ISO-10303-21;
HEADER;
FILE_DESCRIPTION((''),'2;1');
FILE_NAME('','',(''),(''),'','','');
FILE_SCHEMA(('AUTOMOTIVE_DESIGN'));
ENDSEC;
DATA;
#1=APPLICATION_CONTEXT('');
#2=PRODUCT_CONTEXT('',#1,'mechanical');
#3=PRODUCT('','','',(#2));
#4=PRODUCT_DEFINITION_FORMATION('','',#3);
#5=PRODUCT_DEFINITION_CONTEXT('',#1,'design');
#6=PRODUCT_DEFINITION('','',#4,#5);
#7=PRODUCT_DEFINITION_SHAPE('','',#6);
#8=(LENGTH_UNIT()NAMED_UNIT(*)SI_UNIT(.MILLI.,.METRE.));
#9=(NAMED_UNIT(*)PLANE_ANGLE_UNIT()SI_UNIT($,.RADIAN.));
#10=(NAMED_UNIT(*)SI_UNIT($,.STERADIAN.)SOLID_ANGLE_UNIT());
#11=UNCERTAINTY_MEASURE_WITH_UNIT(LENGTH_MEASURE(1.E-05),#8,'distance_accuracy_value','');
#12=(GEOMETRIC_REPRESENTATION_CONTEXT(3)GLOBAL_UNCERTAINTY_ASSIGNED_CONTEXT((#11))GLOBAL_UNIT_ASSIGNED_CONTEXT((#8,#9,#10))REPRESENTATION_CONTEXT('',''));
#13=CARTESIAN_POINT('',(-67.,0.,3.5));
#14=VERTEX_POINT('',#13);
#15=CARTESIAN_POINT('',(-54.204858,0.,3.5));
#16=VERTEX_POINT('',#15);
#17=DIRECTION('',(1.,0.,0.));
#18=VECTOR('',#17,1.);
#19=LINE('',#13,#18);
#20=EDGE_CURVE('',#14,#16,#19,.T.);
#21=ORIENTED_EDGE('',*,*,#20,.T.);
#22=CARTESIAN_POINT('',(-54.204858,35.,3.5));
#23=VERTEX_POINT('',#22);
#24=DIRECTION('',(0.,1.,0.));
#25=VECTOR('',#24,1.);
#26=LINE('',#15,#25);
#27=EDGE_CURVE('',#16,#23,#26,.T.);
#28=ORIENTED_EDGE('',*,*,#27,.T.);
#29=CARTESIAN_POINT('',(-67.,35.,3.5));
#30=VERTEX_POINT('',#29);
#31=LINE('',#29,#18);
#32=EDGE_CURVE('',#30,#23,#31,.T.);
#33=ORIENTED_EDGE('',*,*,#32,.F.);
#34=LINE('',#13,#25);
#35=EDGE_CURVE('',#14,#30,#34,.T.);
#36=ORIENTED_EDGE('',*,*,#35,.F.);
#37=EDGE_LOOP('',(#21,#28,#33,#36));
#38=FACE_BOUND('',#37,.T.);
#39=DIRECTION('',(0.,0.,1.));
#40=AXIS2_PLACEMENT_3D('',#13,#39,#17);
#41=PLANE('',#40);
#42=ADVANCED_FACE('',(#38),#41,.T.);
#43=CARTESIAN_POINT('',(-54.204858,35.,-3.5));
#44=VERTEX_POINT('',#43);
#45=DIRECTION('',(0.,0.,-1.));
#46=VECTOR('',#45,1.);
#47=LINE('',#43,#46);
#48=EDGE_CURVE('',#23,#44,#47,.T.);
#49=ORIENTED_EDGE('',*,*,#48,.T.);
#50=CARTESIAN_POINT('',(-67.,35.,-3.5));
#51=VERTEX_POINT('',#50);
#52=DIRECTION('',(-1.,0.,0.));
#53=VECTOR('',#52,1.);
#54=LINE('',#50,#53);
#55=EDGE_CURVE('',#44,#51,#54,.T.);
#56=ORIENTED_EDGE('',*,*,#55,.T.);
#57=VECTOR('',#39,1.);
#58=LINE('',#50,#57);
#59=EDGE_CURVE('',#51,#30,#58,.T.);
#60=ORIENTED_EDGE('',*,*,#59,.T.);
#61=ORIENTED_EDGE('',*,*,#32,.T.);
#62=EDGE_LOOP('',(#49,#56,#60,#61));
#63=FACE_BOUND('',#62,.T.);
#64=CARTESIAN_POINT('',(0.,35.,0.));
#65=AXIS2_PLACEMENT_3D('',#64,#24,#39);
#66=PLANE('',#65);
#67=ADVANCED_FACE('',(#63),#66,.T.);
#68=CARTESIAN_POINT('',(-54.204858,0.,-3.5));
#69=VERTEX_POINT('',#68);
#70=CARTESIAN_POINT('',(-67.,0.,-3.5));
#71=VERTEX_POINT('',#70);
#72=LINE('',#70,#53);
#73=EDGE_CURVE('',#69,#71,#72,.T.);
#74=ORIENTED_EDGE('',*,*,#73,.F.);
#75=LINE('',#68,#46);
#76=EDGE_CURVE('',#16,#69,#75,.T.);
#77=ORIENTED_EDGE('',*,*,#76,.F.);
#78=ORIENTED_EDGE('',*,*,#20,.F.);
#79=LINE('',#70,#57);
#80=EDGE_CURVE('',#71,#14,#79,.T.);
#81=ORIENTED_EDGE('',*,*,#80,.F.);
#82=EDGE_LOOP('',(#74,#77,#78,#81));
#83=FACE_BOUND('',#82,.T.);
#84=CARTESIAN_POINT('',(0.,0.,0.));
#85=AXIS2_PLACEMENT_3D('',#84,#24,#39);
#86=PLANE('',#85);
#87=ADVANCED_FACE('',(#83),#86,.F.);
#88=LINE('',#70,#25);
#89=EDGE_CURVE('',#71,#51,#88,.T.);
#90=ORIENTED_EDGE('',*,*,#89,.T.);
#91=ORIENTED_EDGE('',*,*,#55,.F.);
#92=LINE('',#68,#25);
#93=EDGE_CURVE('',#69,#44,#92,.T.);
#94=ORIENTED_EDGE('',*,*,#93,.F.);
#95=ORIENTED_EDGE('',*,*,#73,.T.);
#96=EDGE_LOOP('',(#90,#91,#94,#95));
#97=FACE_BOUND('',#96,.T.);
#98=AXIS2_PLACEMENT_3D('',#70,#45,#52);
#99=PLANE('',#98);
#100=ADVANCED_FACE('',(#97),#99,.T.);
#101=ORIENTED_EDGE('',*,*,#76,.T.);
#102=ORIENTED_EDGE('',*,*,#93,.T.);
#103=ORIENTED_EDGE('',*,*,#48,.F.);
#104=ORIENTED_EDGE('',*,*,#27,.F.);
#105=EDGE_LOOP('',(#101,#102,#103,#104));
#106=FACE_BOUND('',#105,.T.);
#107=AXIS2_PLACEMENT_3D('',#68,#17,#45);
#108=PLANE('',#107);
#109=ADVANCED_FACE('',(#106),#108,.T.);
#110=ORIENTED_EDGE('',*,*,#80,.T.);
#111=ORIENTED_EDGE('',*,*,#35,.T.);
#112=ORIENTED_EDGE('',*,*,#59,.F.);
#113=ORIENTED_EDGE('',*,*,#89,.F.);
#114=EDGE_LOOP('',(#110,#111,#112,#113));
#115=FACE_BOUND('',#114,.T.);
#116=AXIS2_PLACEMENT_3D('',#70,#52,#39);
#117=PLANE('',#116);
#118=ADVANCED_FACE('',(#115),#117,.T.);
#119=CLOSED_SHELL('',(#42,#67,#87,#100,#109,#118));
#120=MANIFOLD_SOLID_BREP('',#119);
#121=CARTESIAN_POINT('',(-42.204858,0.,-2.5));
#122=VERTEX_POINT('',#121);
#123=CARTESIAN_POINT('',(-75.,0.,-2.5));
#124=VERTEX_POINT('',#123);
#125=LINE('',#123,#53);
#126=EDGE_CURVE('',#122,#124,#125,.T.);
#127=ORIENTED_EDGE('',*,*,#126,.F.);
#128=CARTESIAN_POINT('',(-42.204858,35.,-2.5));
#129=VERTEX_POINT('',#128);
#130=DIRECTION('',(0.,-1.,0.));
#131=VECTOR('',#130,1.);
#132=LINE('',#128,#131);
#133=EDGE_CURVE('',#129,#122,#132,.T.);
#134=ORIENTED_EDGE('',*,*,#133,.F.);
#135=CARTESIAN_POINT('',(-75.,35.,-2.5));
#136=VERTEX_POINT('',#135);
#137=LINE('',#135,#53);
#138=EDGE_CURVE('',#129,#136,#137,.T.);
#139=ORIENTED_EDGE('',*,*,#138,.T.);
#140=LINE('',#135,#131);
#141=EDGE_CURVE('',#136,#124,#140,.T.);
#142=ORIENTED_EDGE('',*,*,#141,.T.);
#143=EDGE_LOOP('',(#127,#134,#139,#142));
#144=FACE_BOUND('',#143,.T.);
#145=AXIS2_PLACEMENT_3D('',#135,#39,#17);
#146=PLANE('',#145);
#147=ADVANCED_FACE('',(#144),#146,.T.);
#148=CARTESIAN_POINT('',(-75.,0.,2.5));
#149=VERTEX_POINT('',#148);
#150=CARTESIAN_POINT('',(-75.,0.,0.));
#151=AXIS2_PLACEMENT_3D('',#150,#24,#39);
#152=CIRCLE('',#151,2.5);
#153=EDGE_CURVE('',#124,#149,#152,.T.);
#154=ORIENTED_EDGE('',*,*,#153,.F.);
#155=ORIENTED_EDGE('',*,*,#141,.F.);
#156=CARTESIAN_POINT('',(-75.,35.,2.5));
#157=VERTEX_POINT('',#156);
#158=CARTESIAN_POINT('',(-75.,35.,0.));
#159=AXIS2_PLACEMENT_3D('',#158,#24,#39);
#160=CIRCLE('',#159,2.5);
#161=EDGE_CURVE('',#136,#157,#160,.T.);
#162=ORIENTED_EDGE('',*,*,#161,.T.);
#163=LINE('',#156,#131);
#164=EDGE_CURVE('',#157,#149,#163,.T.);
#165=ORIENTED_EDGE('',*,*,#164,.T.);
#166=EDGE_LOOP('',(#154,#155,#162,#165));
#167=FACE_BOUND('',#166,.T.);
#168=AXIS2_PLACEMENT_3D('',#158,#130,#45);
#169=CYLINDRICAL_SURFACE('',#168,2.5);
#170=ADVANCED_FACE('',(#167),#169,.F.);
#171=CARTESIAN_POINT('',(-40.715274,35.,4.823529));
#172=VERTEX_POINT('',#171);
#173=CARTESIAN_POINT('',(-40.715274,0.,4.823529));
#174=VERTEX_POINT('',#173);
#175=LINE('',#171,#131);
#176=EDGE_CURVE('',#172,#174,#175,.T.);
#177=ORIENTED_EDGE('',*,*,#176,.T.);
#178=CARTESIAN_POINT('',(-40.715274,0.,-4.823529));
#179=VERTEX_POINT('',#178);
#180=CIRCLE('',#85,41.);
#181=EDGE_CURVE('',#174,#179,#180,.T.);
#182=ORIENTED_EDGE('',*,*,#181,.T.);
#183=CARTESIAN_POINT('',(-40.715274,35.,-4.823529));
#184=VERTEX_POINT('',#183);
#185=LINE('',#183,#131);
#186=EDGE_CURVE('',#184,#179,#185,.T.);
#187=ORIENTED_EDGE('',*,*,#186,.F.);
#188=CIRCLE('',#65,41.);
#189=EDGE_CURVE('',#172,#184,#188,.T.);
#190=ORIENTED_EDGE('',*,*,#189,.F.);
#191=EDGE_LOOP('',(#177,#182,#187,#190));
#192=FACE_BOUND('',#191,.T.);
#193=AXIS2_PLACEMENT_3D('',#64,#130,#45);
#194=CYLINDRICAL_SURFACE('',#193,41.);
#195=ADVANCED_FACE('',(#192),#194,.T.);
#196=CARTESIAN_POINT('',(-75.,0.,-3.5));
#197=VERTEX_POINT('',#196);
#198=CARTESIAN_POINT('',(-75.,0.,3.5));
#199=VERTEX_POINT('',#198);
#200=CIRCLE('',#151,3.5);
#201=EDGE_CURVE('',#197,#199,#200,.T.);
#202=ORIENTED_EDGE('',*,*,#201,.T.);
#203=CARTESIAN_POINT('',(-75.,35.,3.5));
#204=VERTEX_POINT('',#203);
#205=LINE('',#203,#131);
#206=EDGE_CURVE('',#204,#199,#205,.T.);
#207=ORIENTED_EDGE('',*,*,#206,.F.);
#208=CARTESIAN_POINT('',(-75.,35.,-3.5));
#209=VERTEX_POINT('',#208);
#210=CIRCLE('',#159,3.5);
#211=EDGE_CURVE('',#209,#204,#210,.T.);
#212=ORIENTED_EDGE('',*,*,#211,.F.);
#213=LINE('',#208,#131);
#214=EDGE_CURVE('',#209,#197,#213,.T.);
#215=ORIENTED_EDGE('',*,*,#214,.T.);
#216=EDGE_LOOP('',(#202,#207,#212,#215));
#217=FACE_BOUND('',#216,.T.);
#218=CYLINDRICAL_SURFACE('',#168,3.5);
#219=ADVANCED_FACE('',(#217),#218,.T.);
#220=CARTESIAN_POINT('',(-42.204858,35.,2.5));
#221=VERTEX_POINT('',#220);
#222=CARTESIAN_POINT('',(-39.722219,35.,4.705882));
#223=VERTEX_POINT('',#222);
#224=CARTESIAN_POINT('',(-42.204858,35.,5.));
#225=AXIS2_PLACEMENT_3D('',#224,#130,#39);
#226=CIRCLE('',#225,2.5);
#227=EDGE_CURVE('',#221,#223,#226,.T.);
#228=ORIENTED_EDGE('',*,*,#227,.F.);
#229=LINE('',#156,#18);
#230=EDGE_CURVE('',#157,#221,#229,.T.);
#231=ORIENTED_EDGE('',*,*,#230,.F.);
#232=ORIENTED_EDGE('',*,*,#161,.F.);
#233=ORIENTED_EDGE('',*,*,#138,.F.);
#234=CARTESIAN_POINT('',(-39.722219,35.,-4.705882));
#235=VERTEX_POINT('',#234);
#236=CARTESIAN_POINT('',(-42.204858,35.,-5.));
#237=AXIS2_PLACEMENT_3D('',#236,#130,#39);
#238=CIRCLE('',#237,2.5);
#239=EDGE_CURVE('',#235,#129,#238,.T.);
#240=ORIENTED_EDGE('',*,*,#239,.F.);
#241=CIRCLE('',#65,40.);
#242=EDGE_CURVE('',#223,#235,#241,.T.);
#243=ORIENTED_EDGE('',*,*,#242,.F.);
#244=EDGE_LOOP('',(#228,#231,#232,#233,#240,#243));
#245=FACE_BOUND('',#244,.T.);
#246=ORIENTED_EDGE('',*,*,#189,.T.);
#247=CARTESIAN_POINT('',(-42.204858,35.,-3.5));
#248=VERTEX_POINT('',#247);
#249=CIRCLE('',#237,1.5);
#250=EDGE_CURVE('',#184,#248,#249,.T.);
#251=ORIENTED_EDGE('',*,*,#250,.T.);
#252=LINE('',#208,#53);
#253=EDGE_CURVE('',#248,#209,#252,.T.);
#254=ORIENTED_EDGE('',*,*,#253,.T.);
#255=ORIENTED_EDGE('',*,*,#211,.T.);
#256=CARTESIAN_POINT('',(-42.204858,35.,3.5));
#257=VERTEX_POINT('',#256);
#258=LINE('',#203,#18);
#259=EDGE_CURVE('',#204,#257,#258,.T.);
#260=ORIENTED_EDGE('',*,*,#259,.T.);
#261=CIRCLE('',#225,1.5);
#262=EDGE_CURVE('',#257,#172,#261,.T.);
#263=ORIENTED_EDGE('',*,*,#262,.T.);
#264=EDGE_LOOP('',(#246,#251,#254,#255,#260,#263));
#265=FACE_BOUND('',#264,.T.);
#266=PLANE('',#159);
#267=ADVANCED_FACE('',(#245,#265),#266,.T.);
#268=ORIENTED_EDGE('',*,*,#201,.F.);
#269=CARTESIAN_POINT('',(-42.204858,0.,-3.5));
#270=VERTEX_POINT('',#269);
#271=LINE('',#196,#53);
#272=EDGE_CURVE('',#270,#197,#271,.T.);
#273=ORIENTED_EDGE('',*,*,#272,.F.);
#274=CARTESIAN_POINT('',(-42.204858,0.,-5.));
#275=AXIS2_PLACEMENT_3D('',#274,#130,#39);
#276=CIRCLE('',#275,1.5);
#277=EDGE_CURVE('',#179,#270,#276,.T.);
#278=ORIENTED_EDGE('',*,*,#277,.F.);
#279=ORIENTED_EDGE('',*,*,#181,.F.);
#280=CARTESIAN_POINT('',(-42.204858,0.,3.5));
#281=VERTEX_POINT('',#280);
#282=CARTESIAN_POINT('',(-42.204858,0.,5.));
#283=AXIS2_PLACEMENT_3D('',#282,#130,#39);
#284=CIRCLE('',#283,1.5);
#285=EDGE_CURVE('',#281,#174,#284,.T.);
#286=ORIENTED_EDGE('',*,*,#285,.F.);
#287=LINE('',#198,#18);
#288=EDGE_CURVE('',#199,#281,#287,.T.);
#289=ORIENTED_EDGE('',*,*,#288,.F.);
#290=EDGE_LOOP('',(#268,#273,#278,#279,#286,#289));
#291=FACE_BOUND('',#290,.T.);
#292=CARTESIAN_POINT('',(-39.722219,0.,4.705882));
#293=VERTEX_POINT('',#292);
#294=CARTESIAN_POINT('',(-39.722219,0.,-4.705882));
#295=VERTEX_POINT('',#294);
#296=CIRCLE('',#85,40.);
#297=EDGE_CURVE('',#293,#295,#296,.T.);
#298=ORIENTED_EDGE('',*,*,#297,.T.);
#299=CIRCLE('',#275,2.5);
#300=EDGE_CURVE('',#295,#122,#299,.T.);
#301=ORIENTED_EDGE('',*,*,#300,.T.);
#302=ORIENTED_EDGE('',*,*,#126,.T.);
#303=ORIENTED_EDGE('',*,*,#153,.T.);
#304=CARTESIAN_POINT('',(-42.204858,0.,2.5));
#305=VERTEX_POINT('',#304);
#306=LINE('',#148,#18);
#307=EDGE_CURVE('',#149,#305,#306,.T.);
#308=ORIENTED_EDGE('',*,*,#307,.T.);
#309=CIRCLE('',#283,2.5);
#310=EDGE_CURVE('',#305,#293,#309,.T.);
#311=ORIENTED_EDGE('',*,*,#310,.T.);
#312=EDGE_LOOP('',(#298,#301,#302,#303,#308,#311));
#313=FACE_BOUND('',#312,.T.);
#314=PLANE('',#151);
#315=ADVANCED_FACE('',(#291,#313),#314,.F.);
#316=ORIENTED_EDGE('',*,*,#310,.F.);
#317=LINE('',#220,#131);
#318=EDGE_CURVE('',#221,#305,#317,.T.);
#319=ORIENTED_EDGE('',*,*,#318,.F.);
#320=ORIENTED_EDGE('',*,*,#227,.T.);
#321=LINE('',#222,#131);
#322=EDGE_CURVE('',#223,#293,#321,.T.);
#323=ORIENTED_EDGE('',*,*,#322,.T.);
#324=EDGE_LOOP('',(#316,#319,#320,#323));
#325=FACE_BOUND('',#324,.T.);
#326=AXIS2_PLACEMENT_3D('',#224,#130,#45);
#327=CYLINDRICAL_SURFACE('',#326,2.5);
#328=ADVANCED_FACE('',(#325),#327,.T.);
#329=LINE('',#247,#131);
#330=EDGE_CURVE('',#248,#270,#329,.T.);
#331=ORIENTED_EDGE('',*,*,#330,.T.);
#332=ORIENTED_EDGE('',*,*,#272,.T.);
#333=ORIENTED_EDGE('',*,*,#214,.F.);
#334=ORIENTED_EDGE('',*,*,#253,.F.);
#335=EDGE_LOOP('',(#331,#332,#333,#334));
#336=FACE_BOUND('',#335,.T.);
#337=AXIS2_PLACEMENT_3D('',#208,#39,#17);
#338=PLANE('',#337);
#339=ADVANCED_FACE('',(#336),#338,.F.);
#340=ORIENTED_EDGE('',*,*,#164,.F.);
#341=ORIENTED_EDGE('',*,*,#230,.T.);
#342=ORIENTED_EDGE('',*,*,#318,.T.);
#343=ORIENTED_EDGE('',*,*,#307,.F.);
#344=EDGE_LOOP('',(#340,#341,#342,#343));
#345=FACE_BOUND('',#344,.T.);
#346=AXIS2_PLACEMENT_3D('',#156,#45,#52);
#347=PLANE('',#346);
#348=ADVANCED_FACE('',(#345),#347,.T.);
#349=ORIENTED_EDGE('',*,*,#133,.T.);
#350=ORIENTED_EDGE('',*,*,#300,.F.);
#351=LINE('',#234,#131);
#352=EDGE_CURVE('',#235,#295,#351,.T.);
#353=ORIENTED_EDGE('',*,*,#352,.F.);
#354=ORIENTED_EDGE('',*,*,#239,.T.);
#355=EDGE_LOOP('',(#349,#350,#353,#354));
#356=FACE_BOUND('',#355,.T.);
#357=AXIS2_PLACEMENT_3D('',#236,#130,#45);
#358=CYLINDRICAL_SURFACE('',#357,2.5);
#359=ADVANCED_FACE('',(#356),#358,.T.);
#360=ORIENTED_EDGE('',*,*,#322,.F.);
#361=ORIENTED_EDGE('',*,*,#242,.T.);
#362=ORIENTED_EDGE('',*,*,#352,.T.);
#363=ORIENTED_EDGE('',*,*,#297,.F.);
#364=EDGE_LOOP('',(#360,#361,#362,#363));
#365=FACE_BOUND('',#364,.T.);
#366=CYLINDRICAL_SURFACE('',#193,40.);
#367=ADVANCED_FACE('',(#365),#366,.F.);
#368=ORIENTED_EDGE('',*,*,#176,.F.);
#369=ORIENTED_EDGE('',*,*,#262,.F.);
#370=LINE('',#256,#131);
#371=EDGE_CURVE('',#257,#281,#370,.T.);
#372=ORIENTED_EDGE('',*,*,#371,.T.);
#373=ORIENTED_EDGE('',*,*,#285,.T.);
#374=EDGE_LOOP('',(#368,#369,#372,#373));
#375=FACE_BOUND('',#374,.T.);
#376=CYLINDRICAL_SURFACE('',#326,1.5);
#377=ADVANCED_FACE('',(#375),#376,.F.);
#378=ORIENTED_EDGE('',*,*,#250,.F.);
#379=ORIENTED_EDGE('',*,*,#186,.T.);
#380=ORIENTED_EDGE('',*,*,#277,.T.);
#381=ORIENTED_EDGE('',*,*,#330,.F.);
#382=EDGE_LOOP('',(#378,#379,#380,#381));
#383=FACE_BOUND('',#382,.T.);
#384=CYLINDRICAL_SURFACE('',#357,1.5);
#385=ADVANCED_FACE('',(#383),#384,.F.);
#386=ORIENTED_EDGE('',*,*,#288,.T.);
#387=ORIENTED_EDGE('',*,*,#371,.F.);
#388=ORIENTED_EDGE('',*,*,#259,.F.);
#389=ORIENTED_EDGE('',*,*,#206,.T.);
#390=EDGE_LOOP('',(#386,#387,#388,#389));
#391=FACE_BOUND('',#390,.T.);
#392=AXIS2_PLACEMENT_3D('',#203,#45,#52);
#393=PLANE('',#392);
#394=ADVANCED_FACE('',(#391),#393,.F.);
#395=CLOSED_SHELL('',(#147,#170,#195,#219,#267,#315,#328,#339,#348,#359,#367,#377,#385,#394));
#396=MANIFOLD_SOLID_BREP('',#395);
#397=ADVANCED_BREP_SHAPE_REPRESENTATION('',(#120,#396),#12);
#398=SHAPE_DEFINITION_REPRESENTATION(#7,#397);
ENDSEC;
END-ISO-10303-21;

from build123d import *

# Parameters (mm, degrees)
BOSS_EXTRUDE1_DEPTH = 35
SKETCH2_W           = 12.79514246
SKETCH2_H           = 7
BOSS_EXTRUDE2_DEPTH = 35


with BuildPart() as part:
    # Sketch1 → Boss-Extrude1 (new body)
    with BuildSketch(Plane(origin=(0, 0, 0), x_dir=(1, 0, 0), z_dir=(0, 1, 0))):
        with BuildLine():
            Line((-75, 3.5), (-42.20485754, 3.5))
            ThreePointArc((-42.20485754, 3.5), (-41.208540794, 3.878682498), (-40.715274333, 4.823529412))
            ThreePointArc((-40.715274333, 4.823529412), (41, 0), (-40.715274333, -4.823529412))
            ThreePointArc((-40.715274333, -4.823529412), (-41.208540794, -3.878682498), (-42.20485754, -3.5))
            Line((-42.20485754, -3.5), (-75, -3.5))
            ThreePointArc((-75, -3.5), (-78.5, 0), (-75, 3.5))
        make_face()
        with BuildLine():
            Line((-75, 2.5), (-42.20485754, 2.5))
            ThreePointArc((-42.20485754, 2.5), (-40.54432963, 3.131137496), (-39.722218861, 4.705882353))
            ThreePointArc((-39.722218861, 4.705882353), (40, 0), (-39.722218861, -4.705882353))
            ThreePointArc((-39.722218861, -4.705882353), (-40.54432963, -3.131137496), (-42.20485754, -2.5))
            Line((-42.20485754, -2.5), (-75, -2.5))
            ThreePointArc((-75, -2.5), (-77.5, 0), (-75, 2.5))
        make_face(mode=Mode.SUBTRACT)
    extrude(amount=BOSS_EXTRUDE1_DEPTH)


with BuildPart() as body_2:
    # Sketch2 → Boss-Extrude2 (new body)
    with BuildSketch(Plane(origin=(0, 35, 0), x_dir=(1, 0, 0), z_dir=(0, 1, 0))):
        with Locations((-60.60242877, 0)):
            Rectangle(SKETCH2_W, SKETCH2_H)
    extrude(amount=-BOSS_EXTRUDE2_DEPTH)


solid = Compound([part.part, body_2.part])
